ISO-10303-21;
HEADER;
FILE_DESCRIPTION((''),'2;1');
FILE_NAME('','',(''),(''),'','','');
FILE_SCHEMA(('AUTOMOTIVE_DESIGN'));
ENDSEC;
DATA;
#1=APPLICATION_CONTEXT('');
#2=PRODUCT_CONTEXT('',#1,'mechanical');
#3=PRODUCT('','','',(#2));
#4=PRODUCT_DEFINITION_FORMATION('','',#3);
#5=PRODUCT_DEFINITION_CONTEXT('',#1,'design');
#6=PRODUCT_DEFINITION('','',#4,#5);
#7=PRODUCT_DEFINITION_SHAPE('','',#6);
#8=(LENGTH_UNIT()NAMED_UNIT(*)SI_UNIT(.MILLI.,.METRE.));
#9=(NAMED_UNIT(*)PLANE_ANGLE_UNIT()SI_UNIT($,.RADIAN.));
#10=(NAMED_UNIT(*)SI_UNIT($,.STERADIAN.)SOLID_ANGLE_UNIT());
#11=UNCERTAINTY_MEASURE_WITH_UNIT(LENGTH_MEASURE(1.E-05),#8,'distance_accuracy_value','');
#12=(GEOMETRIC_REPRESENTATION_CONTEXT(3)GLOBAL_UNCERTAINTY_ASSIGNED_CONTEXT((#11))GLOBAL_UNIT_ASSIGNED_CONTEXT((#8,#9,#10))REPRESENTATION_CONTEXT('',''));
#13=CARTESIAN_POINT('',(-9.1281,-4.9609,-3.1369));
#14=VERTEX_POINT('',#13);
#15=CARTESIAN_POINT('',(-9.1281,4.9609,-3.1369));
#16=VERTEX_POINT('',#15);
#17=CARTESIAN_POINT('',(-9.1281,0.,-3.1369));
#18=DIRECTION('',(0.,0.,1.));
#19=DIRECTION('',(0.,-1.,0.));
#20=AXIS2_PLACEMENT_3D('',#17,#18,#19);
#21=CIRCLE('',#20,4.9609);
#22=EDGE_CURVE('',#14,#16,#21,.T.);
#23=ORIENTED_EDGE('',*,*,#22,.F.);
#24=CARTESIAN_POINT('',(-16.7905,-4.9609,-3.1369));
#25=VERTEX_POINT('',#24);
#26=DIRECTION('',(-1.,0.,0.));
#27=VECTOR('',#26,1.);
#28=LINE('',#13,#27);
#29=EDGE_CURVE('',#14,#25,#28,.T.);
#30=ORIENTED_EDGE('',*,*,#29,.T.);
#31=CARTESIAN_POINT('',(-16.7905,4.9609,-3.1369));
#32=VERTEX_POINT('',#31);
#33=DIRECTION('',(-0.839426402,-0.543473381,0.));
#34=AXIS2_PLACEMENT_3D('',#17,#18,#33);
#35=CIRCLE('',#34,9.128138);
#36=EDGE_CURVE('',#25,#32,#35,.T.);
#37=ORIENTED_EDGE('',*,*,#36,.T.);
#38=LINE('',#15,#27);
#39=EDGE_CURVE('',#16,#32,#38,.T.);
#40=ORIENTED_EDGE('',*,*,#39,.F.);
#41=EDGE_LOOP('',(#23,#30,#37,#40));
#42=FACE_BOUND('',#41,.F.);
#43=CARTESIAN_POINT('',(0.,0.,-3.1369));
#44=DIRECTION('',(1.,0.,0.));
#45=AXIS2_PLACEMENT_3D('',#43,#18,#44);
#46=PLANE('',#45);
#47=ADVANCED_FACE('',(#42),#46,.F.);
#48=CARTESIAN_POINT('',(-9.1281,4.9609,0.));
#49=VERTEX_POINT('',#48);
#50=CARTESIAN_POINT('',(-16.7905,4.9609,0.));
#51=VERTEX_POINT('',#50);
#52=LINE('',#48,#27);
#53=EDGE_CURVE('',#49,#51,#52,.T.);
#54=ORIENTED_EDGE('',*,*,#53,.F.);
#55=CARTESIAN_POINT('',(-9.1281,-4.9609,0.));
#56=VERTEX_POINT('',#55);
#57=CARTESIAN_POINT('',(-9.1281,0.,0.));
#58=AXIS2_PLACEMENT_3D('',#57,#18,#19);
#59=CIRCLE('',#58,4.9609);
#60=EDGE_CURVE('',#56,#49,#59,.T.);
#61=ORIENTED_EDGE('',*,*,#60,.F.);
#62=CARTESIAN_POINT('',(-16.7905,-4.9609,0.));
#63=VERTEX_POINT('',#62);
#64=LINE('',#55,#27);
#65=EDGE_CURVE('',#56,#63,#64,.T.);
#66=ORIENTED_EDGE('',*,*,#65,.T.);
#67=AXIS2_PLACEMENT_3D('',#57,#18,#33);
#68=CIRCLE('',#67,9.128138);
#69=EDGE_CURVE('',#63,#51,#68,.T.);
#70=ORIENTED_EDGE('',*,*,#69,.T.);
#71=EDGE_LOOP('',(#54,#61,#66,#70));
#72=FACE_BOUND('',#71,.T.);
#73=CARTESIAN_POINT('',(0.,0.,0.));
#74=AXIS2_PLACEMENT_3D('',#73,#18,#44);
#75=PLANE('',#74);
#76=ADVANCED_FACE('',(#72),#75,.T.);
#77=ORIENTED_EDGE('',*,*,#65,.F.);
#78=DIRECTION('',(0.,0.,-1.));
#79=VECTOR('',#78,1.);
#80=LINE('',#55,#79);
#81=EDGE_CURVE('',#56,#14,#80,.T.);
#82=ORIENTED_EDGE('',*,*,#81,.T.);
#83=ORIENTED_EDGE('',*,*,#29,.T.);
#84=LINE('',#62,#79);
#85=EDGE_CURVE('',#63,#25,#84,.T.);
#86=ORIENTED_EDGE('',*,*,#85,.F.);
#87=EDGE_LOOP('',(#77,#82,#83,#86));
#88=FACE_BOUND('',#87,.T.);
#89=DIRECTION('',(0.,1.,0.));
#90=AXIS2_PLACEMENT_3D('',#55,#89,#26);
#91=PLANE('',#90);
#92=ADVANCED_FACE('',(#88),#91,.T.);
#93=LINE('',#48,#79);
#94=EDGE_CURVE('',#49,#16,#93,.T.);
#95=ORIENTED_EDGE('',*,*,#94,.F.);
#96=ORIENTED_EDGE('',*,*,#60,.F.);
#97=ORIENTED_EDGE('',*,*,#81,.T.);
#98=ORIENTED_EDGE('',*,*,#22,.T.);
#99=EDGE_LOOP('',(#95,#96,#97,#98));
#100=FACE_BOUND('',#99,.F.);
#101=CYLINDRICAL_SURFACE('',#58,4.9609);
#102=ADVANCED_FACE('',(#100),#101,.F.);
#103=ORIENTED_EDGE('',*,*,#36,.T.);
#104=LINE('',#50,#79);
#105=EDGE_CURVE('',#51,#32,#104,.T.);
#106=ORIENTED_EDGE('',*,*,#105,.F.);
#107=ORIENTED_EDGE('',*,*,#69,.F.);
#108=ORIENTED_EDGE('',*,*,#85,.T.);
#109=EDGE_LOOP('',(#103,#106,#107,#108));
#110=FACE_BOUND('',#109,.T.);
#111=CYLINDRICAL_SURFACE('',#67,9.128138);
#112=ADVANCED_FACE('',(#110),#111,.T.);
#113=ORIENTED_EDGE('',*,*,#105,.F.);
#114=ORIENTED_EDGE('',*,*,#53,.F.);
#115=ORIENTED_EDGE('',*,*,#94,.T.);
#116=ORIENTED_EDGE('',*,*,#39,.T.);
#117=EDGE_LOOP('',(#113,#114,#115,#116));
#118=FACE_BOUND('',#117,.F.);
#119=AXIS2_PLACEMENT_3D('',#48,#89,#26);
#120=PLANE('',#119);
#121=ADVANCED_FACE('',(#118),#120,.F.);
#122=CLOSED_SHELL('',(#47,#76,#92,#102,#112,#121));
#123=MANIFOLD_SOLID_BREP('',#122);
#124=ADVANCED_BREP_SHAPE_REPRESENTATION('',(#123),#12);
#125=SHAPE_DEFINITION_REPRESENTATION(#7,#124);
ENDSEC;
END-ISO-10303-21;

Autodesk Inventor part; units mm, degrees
ref_plane "YZ Plane" through (0, 0, 0) normal (1, 0, 0) x (0, 1, 0)
ref_plane "XZ Plane" through (0, 0, 0) normal (0, 1, 0) x (-1, 0, 0)
ref_plane "XY Plane" through (0, 0, 0) normal (0, 0, 1) x (1, 0, 0)
sketch "Sketch1" plane through (0, 0, 0) normal (0, 0, 1) x (1, 0, 0)
  line L0 (-24.5181, 0) -> (28.4868, 0) construction
  arc A0 (-16.7905, -4.9609) -> (-16.7905, 4.9609) centre (-9.1281, 0) ccw
  arc A1 (-9.1281, -4.9609) -> (-9.1281, 4.9609) centre (-9.1281, 0) ccw
  line L1 (-9.1281, 4.9609) -> (-16.7905, 4.9609)
  line L2 (-9.1281, -4.9609) -> (-16.7905, -4.9609)
  point P0 (0, 0)
  dimension "d0" = 9.1281
  dimension "d1" = 9.9219
extrude "Extrusion1" add sketch "Sketch1" against normal blind 3.1369
properties part number "VS-006 (SPECIAL KEY)" material "Steel, Carbon"
